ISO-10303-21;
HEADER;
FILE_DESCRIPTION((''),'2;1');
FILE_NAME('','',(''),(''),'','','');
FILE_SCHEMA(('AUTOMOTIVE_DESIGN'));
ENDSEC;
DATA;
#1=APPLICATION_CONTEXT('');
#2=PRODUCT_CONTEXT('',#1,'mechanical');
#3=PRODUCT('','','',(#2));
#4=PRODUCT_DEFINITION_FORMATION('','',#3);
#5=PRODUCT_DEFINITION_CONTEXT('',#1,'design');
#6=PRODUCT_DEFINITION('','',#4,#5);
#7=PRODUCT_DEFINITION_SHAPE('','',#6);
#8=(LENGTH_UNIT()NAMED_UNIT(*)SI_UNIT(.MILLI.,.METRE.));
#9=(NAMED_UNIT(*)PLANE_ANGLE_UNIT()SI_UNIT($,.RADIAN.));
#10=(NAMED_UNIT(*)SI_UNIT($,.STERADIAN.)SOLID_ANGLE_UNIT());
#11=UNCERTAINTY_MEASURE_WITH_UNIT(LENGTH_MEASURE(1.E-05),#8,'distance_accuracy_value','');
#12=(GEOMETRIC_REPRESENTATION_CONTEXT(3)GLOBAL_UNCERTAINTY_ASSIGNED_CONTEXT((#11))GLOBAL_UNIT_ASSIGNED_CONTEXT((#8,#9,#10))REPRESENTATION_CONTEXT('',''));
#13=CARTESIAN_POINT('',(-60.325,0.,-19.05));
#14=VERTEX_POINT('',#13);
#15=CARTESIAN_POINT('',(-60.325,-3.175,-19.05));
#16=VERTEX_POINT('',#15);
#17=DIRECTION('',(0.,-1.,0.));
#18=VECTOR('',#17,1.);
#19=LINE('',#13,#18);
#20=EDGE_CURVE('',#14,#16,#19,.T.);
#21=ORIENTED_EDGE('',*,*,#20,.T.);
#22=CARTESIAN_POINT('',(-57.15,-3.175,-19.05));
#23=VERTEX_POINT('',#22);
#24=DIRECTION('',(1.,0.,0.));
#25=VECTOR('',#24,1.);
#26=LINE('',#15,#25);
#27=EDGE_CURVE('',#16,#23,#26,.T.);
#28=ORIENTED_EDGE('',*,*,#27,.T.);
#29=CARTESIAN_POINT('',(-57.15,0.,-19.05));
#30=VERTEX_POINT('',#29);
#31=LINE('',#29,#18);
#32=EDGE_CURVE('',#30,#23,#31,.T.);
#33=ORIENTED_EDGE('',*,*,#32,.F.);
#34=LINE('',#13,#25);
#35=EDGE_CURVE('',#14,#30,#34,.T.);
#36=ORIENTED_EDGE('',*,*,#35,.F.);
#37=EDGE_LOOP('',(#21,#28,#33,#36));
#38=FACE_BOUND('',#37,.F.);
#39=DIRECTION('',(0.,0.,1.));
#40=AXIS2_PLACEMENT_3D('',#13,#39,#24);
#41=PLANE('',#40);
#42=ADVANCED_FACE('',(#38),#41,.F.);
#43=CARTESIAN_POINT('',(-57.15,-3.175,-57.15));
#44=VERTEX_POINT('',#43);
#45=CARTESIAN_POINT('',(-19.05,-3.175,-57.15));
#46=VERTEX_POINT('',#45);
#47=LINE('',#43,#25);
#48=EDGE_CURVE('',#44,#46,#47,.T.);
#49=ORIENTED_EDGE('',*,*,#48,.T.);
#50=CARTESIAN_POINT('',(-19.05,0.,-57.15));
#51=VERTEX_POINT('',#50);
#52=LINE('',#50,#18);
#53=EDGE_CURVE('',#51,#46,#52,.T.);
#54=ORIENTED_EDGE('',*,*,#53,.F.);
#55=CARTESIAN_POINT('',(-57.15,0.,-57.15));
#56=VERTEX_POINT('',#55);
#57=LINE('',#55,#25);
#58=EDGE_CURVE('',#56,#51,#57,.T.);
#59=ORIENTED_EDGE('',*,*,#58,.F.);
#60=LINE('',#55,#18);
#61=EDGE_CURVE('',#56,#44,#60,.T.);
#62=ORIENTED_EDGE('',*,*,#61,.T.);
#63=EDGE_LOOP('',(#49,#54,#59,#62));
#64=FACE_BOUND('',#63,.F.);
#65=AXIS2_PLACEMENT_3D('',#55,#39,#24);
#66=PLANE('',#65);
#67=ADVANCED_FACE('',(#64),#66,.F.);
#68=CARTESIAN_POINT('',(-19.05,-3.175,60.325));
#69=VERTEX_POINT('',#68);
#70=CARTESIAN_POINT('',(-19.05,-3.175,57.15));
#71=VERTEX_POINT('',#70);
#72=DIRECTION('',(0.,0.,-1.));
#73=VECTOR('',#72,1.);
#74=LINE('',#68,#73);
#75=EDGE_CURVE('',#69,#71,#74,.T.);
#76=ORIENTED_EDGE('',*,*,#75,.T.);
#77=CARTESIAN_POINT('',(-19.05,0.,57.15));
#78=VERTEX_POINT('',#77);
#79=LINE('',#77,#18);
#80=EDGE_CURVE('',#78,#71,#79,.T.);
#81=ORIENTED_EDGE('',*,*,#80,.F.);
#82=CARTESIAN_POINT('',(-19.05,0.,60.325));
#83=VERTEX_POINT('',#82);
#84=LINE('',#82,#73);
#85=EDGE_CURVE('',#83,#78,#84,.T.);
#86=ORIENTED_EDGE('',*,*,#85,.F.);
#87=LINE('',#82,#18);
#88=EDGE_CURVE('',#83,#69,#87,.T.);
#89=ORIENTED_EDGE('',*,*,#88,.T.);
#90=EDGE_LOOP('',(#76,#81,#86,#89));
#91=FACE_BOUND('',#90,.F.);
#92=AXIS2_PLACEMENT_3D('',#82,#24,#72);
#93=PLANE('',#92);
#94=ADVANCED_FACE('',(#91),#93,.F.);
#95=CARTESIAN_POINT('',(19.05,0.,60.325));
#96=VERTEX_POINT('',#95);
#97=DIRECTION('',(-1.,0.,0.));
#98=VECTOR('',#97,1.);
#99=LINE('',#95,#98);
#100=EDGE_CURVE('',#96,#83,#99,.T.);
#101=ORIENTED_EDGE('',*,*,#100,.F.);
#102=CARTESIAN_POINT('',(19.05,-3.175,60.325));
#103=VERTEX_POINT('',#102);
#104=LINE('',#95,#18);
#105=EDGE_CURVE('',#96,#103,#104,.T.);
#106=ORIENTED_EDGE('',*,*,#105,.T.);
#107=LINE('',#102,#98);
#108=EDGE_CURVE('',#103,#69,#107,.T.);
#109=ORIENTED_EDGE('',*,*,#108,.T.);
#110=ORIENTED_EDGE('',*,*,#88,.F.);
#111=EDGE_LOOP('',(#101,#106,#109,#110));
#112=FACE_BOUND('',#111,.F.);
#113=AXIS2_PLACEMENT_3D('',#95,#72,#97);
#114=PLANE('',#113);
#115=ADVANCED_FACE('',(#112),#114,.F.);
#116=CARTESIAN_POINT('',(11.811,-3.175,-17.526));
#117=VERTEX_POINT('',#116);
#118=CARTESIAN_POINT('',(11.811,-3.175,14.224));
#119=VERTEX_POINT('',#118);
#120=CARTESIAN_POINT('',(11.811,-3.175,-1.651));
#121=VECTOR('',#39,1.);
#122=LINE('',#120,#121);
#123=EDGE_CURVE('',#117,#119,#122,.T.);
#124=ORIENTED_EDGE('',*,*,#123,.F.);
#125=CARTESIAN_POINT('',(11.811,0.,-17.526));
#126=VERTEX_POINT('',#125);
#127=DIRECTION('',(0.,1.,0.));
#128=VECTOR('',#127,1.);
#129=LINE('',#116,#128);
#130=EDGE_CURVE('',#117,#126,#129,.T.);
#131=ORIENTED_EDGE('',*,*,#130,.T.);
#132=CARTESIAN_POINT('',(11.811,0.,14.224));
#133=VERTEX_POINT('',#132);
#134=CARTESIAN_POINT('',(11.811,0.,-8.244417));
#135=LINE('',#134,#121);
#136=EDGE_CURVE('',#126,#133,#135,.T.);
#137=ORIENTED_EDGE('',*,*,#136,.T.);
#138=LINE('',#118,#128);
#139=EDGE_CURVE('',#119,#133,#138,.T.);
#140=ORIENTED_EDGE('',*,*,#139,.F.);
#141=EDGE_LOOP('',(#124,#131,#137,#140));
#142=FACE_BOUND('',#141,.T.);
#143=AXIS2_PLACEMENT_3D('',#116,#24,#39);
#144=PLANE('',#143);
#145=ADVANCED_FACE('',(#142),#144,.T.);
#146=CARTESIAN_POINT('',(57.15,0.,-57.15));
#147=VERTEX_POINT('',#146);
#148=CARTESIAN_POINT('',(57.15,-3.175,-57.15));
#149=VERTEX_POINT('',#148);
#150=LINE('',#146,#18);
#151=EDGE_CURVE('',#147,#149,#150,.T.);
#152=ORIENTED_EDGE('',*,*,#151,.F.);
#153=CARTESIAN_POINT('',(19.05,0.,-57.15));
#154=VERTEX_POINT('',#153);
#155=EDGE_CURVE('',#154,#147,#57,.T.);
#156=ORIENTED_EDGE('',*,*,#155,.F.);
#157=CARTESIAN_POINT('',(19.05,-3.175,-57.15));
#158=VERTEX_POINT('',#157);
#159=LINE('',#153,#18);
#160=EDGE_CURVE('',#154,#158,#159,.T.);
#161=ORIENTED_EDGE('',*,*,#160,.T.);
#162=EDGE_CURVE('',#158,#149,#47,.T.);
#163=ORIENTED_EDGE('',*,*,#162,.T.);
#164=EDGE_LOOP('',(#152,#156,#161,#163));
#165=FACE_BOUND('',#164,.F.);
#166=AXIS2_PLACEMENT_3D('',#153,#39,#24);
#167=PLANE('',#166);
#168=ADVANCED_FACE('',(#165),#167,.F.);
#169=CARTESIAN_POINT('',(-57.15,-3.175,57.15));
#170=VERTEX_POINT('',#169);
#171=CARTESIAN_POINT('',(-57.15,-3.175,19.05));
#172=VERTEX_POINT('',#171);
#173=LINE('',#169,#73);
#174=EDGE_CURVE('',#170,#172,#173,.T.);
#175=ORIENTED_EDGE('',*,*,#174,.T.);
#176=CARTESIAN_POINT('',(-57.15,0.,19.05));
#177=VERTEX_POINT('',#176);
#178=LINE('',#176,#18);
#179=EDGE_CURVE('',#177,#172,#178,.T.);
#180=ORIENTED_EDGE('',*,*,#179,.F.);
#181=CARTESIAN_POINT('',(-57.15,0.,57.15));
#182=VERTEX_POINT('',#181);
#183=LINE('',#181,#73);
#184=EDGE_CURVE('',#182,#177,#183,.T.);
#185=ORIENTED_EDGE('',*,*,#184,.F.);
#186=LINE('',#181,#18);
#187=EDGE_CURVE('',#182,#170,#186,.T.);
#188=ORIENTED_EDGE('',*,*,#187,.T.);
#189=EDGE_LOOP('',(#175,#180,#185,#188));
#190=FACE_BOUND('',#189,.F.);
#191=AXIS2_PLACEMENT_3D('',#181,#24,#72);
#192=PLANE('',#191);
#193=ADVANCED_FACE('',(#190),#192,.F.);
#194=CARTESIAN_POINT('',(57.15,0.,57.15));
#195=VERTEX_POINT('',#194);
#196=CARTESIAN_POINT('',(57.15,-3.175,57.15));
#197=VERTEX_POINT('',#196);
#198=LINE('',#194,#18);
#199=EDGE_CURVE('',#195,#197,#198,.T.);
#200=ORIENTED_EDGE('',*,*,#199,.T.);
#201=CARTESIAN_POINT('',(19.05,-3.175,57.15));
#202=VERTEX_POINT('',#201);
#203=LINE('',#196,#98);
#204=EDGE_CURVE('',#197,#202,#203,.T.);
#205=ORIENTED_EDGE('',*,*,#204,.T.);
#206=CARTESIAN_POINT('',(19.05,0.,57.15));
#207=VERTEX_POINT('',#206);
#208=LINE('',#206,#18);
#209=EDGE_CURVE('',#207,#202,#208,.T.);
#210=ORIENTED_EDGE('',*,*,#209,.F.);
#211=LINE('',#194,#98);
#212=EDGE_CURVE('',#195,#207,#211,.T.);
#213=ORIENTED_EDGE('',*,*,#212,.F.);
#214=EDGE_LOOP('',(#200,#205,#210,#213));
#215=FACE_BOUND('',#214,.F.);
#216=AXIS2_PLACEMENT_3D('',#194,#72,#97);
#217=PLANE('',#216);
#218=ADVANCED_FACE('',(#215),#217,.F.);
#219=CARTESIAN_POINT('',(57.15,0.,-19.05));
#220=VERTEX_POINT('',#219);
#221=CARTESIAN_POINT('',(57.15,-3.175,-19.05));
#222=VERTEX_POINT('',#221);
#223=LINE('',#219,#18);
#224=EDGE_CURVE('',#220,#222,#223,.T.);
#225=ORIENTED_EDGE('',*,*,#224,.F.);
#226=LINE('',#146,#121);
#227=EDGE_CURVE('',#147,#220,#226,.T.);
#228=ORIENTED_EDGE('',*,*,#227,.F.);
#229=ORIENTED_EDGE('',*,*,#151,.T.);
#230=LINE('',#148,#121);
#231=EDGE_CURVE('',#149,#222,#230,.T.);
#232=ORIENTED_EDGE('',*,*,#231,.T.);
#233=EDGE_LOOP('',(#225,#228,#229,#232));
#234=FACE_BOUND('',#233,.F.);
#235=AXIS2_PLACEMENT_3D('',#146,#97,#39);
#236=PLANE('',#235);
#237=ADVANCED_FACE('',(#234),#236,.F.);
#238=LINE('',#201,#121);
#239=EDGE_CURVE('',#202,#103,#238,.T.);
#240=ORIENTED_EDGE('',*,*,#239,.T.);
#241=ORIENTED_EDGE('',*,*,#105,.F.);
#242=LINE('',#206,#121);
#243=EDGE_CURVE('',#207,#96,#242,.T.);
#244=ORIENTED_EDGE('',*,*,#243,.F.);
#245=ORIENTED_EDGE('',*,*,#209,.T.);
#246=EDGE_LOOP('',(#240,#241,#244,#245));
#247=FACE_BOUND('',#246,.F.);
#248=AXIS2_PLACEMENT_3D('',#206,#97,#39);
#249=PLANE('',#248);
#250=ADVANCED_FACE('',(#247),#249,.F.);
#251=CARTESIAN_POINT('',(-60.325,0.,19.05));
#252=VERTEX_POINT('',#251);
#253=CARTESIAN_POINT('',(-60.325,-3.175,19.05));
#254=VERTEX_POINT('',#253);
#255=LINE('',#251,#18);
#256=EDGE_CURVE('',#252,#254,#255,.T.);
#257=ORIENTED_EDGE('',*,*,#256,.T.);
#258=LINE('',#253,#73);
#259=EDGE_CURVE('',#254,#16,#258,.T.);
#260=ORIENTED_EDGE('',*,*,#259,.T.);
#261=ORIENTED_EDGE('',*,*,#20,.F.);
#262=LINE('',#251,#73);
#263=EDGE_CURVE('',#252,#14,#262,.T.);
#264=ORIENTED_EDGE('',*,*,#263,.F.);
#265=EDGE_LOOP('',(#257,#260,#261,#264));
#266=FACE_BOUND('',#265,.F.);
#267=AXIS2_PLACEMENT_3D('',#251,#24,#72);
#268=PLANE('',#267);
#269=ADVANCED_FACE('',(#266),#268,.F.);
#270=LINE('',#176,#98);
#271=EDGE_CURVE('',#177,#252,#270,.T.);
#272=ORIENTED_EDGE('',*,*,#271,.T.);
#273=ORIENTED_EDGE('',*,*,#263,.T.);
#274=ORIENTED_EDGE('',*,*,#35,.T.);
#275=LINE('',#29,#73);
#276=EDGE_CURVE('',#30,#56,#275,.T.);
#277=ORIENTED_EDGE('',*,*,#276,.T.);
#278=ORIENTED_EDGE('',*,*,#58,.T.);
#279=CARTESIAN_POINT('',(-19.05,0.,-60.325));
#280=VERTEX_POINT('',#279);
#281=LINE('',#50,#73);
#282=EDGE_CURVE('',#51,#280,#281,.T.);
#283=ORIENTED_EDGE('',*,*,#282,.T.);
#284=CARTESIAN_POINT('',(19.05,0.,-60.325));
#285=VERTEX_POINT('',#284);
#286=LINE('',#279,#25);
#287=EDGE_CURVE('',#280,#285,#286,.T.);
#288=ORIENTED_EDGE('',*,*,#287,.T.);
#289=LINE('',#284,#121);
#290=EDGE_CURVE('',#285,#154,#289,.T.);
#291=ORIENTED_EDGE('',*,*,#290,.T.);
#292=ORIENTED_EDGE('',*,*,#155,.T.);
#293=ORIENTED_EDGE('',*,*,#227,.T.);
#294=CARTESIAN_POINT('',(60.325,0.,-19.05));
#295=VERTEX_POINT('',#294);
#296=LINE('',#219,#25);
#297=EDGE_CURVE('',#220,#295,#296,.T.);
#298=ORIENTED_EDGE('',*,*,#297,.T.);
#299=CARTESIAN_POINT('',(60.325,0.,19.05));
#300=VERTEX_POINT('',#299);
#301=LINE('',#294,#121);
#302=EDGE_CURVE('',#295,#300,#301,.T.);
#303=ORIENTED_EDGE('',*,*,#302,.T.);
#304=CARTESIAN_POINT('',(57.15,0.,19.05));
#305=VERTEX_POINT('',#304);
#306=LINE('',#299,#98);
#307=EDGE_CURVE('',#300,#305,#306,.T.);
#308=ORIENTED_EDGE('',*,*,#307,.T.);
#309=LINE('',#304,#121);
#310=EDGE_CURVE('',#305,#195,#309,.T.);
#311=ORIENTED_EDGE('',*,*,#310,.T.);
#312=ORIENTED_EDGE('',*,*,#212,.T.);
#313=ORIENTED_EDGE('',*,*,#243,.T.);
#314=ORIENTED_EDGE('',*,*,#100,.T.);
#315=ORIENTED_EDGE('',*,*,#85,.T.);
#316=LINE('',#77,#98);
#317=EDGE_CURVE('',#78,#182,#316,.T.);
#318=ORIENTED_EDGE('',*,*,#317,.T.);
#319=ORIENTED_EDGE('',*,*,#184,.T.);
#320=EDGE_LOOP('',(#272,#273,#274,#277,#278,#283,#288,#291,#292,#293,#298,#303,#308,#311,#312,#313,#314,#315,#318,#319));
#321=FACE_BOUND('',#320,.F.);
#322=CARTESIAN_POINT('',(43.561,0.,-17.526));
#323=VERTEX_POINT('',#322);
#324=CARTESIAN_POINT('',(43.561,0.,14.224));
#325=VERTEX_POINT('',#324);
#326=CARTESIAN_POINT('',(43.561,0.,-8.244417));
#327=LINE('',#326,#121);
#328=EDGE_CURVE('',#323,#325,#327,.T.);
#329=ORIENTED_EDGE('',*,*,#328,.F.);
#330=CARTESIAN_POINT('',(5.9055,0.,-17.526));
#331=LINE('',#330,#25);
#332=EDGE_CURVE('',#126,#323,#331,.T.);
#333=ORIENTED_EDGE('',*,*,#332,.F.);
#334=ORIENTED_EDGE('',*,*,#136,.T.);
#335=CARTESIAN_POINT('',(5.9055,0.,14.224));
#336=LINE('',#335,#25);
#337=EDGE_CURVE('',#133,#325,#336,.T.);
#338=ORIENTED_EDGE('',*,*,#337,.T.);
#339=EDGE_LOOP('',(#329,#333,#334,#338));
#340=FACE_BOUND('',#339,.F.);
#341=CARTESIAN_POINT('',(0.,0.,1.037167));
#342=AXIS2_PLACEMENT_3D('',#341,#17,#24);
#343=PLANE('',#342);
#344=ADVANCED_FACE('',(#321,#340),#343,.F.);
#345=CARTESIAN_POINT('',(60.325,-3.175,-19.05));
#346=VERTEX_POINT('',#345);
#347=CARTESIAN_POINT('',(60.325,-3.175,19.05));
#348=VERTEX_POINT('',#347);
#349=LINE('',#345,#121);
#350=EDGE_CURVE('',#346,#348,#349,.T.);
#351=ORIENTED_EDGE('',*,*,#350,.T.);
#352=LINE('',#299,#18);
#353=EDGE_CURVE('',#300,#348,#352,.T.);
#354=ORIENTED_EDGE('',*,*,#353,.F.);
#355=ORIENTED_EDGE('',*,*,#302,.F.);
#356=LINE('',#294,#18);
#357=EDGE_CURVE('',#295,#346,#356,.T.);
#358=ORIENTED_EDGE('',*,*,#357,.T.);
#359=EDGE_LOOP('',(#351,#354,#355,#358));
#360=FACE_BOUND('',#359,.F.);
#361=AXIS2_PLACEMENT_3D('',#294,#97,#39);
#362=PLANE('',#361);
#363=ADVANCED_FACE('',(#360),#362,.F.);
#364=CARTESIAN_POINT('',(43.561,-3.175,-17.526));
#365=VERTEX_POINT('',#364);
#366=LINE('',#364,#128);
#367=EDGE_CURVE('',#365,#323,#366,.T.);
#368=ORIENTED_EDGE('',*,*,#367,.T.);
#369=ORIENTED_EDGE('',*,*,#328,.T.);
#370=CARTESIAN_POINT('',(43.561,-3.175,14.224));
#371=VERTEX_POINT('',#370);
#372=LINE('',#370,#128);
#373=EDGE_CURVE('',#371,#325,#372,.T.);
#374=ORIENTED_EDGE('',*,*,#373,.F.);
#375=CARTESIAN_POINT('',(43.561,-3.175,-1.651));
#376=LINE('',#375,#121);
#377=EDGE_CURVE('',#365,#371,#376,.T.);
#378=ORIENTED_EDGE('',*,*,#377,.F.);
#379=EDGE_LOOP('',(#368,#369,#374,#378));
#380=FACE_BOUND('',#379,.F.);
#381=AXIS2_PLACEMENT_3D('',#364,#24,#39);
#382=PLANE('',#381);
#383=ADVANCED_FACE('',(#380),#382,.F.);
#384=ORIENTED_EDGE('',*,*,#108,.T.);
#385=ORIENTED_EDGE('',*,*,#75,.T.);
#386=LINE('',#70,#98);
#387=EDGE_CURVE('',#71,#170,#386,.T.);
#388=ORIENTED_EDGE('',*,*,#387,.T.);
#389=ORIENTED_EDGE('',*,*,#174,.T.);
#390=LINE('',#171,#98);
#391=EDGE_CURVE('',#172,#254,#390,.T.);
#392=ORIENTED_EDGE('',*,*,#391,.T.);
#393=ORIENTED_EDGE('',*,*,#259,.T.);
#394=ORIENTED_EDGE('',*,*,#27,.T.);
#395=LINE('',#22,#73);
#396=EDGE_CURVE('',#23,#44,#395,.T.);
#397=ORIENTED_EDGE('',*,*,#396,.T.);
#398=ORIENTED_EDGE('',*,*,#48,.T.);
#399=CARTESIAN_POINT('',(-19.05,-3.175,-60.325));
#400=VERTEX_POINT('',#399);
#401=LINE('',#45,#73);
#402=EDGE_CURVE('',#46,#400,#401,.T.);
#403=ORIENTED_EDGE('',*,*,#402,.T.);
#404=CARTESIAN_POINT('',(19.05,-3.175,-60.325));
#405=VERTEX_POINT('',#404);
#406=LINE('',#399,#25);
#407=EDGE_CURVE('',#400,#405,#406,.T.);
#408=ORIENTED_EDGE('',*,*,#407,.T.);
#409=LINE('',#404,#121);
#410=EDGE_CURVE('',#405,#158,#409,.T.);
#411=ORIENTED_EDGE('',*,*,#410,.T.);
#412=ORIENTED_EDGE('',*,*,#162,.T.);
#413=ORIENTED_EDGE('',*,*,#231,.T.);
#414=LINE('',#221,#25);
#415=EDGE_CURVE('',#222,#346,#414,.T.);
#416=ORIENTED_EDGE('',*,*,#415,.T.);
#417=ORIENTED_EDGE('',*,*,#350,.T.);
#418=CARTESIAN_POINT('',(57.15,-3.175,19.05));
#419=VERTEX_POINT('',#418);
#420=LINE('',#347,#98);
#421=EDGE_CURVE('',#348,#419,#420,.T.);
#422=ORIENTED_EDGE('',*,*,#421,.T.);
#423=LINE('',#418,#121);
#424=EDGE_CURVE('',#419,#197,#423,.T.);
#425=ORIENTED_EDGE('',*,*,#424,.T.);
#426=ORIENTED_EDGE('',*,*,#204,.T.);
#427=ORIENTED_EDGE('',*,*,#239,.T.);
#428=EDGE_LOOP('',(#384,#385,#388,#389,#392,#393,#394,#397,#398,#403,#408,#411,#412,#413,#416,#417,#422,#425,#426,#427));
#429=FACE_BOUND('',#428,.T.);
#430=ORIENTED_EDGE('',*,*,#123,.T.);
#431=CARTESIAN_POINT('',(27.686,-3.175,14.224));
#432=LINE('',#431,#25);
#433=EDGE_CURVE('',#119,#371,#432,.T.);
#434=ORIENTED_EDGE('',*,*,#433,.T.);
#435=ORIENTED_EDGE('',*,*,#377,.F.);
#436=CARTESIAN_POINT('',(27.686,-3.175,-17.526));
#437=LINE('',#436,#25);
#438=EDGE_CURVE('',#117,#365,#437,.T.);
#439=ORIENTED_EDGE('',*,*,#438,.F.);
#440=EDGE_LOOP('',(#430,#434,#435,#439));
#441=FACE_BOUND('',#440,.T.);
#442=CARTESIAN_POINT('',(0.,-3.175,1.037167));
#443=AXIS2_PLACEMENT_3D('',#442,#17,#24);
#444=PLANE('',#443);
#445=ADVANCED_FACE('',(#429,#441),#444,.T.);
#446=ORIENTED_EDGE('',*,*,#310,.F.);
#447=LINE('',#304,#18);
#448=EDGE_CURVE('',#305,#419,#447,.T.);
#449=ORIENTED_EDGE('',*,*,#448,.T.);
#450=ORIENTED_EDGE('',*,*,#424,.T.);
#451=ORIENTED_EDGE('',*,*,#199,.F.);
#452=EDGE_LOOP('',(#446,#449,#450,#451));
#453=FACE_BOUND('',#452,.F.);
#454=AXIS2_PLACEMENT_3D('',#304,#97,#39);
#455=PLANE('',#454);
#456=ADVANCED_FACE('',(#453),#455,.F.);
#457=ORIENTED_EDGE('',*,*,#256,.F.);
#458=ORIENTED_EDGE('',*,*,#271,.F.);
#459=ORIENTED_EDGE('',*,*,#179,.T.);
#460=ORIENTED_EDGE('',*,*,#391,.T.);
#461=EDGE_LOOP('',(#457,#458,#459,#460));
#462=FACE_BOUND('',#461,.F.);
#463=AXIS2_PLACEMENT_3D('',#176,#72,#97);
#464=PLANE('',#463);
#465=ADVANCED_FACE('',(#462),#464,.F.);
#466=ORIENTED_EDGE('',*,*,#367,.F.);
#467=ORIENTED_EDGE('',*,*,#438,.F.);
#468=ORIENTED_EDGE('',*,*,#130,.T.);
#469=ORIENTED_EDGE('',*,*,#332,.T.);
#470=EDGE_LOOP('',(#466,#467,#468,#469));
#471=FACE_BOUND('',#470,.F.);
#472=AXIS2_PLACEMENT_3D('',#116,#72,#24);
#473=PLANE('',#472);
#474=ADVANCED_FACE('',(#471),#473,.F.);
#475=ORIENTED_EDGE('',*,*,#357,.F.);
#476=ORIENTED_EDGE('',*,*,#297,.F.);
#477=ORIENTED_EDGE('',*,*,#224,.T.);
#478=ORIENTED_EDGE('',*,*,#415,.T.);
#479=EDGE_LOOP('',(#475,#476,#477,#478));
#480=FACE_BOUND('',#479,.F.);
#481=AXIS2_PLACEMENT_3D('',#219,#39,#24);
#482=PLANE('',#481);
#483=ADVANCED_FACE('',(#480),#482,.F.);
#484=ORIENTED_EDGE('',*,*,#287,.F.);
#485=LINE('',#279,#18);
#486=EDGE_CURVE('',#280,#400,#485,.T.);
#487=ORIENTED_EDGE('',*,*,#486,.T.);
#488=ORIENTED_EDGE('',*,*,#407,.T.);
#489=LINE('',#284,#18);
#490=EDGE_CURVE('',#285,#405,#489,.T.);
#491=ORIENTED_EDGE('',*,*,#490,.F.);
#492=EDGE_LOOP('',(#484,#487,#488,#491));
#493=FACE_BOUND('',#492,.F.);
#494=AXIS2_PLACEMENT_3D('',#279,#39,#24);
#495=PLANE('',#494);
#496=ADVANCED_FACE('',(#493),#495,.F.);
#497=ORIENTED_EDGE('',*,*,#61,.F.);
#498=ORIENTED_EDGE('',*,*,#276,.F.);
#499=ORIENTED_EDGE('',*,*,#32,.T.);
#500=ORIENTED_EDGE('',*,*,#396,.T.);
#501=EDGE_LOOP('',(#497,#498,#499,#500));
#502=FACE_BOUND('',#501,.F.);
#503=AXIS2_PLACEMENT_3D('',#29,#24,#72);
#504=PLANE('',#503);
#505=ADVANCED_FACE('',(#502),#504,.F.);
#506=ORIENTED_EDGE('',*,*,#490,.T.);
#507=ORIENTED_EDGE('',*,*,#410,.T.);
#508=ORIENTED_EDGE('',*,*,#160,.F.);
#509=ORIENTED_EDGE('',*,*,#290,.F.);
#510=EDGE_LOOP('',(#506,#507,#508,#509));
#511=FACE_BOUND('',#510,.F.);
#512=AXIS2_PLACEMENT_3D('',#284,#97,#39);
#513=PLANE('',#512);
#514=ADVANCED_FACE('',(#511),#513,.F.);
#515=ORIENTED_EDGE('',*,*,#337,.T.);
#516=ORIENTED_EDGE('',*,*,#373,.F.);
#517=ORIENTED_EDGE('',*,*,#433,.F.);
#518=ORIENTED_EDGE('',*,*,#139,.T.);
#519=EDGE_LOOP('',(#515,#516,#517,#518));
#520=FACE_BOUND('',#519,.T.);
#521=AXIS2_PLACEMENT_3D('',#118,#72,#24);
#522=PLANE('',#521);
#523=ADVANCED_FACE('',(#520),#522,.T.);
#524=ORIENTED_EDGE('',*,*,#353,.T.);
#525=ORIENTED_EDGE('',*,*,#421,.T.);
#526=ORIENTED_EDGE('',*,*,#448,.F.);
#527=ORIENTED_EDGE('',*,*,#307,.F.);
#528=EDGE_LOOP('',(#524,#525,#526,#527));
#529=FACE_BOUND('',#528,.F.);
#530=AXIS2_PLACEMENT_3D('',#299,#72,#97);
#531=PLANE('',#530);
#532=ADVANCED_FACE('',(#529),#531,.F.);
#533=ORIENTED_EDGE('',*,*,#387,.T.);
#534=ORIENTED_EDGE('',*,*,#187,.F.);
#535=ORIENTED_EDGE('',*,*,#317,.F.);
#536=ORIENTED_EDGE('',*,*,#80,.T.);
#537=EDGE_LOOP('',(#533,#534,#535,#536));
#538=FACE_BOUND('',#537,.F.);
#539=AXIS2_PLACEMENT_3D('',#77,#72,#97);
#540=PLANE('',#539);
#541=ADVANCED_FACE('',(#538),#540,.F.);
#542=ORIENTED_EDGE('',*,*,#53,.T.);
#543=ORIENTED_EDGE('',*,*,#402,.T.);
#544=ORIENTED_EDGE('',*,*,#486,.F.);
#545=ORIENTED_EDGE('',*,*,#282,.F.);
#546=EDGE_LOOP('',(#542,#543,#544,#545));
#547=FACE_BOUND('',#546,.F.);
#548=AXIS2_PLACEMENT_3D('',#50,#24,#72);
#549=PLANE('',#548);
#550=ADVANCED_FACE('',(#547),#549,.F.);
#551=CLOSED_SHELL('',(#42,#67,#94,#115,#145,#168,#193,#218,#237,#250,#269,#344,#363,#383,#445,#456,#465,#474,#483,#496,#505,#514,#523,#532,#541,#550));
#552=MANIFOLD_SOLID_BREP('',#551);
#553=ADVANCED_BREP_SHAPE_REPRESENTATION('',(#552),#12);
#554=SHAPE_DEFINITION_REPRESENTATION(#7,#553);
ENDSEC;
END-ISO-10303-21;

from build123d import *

# Parameters (mm, degrees)
F1_DEPTH = 3.175
F2_W     = 31.75
F2_H     = 31.75
F3_DEPTH = 3.176


with BuildPart() as f1:
    # F0 (on Front) → F1 (new body)
    with BuildSketch(Plane.XZ):
        Polygon((57.15, -19.05), (60.325, -19.05), (60.325, 19.05), (57.15, 19.05), (57.15, 57.15), (19.05, 57.15), (19.05, 60.325), (-19.05, 60.325), (-19.05, 57.15), (-57.15, 57.15), (-57.15, 19.05), (-60.325, 19.05), (-60.325, 0), (-60.325, -19.05), (-57.15, -19.05), (-57.15, -57.15), (-19.05, -57.15), (-16.51, -57.15), (19.05, -57.15), (57.15, -57.15), align=None)
        Polygon((0, -60.325), (19.05, -60.325), (19.05, -57.15), (-16.51, -57.15), (-19.05, -57.15), (-19.05, -60.325), align=None)
    extrude(amount=F1_DEPTH)

    # F2 (on face) → F3 (cut, through all)
    with BuildSketch(Plane.XZ.offset(3.175)):
        with Locations((27.686, -1.651)):
            Rectangle(F2_W, F2_H)
    extrude(amount=-F3_DEPTH, mode=Mode.SUBTRACT)


solid = f1.part
